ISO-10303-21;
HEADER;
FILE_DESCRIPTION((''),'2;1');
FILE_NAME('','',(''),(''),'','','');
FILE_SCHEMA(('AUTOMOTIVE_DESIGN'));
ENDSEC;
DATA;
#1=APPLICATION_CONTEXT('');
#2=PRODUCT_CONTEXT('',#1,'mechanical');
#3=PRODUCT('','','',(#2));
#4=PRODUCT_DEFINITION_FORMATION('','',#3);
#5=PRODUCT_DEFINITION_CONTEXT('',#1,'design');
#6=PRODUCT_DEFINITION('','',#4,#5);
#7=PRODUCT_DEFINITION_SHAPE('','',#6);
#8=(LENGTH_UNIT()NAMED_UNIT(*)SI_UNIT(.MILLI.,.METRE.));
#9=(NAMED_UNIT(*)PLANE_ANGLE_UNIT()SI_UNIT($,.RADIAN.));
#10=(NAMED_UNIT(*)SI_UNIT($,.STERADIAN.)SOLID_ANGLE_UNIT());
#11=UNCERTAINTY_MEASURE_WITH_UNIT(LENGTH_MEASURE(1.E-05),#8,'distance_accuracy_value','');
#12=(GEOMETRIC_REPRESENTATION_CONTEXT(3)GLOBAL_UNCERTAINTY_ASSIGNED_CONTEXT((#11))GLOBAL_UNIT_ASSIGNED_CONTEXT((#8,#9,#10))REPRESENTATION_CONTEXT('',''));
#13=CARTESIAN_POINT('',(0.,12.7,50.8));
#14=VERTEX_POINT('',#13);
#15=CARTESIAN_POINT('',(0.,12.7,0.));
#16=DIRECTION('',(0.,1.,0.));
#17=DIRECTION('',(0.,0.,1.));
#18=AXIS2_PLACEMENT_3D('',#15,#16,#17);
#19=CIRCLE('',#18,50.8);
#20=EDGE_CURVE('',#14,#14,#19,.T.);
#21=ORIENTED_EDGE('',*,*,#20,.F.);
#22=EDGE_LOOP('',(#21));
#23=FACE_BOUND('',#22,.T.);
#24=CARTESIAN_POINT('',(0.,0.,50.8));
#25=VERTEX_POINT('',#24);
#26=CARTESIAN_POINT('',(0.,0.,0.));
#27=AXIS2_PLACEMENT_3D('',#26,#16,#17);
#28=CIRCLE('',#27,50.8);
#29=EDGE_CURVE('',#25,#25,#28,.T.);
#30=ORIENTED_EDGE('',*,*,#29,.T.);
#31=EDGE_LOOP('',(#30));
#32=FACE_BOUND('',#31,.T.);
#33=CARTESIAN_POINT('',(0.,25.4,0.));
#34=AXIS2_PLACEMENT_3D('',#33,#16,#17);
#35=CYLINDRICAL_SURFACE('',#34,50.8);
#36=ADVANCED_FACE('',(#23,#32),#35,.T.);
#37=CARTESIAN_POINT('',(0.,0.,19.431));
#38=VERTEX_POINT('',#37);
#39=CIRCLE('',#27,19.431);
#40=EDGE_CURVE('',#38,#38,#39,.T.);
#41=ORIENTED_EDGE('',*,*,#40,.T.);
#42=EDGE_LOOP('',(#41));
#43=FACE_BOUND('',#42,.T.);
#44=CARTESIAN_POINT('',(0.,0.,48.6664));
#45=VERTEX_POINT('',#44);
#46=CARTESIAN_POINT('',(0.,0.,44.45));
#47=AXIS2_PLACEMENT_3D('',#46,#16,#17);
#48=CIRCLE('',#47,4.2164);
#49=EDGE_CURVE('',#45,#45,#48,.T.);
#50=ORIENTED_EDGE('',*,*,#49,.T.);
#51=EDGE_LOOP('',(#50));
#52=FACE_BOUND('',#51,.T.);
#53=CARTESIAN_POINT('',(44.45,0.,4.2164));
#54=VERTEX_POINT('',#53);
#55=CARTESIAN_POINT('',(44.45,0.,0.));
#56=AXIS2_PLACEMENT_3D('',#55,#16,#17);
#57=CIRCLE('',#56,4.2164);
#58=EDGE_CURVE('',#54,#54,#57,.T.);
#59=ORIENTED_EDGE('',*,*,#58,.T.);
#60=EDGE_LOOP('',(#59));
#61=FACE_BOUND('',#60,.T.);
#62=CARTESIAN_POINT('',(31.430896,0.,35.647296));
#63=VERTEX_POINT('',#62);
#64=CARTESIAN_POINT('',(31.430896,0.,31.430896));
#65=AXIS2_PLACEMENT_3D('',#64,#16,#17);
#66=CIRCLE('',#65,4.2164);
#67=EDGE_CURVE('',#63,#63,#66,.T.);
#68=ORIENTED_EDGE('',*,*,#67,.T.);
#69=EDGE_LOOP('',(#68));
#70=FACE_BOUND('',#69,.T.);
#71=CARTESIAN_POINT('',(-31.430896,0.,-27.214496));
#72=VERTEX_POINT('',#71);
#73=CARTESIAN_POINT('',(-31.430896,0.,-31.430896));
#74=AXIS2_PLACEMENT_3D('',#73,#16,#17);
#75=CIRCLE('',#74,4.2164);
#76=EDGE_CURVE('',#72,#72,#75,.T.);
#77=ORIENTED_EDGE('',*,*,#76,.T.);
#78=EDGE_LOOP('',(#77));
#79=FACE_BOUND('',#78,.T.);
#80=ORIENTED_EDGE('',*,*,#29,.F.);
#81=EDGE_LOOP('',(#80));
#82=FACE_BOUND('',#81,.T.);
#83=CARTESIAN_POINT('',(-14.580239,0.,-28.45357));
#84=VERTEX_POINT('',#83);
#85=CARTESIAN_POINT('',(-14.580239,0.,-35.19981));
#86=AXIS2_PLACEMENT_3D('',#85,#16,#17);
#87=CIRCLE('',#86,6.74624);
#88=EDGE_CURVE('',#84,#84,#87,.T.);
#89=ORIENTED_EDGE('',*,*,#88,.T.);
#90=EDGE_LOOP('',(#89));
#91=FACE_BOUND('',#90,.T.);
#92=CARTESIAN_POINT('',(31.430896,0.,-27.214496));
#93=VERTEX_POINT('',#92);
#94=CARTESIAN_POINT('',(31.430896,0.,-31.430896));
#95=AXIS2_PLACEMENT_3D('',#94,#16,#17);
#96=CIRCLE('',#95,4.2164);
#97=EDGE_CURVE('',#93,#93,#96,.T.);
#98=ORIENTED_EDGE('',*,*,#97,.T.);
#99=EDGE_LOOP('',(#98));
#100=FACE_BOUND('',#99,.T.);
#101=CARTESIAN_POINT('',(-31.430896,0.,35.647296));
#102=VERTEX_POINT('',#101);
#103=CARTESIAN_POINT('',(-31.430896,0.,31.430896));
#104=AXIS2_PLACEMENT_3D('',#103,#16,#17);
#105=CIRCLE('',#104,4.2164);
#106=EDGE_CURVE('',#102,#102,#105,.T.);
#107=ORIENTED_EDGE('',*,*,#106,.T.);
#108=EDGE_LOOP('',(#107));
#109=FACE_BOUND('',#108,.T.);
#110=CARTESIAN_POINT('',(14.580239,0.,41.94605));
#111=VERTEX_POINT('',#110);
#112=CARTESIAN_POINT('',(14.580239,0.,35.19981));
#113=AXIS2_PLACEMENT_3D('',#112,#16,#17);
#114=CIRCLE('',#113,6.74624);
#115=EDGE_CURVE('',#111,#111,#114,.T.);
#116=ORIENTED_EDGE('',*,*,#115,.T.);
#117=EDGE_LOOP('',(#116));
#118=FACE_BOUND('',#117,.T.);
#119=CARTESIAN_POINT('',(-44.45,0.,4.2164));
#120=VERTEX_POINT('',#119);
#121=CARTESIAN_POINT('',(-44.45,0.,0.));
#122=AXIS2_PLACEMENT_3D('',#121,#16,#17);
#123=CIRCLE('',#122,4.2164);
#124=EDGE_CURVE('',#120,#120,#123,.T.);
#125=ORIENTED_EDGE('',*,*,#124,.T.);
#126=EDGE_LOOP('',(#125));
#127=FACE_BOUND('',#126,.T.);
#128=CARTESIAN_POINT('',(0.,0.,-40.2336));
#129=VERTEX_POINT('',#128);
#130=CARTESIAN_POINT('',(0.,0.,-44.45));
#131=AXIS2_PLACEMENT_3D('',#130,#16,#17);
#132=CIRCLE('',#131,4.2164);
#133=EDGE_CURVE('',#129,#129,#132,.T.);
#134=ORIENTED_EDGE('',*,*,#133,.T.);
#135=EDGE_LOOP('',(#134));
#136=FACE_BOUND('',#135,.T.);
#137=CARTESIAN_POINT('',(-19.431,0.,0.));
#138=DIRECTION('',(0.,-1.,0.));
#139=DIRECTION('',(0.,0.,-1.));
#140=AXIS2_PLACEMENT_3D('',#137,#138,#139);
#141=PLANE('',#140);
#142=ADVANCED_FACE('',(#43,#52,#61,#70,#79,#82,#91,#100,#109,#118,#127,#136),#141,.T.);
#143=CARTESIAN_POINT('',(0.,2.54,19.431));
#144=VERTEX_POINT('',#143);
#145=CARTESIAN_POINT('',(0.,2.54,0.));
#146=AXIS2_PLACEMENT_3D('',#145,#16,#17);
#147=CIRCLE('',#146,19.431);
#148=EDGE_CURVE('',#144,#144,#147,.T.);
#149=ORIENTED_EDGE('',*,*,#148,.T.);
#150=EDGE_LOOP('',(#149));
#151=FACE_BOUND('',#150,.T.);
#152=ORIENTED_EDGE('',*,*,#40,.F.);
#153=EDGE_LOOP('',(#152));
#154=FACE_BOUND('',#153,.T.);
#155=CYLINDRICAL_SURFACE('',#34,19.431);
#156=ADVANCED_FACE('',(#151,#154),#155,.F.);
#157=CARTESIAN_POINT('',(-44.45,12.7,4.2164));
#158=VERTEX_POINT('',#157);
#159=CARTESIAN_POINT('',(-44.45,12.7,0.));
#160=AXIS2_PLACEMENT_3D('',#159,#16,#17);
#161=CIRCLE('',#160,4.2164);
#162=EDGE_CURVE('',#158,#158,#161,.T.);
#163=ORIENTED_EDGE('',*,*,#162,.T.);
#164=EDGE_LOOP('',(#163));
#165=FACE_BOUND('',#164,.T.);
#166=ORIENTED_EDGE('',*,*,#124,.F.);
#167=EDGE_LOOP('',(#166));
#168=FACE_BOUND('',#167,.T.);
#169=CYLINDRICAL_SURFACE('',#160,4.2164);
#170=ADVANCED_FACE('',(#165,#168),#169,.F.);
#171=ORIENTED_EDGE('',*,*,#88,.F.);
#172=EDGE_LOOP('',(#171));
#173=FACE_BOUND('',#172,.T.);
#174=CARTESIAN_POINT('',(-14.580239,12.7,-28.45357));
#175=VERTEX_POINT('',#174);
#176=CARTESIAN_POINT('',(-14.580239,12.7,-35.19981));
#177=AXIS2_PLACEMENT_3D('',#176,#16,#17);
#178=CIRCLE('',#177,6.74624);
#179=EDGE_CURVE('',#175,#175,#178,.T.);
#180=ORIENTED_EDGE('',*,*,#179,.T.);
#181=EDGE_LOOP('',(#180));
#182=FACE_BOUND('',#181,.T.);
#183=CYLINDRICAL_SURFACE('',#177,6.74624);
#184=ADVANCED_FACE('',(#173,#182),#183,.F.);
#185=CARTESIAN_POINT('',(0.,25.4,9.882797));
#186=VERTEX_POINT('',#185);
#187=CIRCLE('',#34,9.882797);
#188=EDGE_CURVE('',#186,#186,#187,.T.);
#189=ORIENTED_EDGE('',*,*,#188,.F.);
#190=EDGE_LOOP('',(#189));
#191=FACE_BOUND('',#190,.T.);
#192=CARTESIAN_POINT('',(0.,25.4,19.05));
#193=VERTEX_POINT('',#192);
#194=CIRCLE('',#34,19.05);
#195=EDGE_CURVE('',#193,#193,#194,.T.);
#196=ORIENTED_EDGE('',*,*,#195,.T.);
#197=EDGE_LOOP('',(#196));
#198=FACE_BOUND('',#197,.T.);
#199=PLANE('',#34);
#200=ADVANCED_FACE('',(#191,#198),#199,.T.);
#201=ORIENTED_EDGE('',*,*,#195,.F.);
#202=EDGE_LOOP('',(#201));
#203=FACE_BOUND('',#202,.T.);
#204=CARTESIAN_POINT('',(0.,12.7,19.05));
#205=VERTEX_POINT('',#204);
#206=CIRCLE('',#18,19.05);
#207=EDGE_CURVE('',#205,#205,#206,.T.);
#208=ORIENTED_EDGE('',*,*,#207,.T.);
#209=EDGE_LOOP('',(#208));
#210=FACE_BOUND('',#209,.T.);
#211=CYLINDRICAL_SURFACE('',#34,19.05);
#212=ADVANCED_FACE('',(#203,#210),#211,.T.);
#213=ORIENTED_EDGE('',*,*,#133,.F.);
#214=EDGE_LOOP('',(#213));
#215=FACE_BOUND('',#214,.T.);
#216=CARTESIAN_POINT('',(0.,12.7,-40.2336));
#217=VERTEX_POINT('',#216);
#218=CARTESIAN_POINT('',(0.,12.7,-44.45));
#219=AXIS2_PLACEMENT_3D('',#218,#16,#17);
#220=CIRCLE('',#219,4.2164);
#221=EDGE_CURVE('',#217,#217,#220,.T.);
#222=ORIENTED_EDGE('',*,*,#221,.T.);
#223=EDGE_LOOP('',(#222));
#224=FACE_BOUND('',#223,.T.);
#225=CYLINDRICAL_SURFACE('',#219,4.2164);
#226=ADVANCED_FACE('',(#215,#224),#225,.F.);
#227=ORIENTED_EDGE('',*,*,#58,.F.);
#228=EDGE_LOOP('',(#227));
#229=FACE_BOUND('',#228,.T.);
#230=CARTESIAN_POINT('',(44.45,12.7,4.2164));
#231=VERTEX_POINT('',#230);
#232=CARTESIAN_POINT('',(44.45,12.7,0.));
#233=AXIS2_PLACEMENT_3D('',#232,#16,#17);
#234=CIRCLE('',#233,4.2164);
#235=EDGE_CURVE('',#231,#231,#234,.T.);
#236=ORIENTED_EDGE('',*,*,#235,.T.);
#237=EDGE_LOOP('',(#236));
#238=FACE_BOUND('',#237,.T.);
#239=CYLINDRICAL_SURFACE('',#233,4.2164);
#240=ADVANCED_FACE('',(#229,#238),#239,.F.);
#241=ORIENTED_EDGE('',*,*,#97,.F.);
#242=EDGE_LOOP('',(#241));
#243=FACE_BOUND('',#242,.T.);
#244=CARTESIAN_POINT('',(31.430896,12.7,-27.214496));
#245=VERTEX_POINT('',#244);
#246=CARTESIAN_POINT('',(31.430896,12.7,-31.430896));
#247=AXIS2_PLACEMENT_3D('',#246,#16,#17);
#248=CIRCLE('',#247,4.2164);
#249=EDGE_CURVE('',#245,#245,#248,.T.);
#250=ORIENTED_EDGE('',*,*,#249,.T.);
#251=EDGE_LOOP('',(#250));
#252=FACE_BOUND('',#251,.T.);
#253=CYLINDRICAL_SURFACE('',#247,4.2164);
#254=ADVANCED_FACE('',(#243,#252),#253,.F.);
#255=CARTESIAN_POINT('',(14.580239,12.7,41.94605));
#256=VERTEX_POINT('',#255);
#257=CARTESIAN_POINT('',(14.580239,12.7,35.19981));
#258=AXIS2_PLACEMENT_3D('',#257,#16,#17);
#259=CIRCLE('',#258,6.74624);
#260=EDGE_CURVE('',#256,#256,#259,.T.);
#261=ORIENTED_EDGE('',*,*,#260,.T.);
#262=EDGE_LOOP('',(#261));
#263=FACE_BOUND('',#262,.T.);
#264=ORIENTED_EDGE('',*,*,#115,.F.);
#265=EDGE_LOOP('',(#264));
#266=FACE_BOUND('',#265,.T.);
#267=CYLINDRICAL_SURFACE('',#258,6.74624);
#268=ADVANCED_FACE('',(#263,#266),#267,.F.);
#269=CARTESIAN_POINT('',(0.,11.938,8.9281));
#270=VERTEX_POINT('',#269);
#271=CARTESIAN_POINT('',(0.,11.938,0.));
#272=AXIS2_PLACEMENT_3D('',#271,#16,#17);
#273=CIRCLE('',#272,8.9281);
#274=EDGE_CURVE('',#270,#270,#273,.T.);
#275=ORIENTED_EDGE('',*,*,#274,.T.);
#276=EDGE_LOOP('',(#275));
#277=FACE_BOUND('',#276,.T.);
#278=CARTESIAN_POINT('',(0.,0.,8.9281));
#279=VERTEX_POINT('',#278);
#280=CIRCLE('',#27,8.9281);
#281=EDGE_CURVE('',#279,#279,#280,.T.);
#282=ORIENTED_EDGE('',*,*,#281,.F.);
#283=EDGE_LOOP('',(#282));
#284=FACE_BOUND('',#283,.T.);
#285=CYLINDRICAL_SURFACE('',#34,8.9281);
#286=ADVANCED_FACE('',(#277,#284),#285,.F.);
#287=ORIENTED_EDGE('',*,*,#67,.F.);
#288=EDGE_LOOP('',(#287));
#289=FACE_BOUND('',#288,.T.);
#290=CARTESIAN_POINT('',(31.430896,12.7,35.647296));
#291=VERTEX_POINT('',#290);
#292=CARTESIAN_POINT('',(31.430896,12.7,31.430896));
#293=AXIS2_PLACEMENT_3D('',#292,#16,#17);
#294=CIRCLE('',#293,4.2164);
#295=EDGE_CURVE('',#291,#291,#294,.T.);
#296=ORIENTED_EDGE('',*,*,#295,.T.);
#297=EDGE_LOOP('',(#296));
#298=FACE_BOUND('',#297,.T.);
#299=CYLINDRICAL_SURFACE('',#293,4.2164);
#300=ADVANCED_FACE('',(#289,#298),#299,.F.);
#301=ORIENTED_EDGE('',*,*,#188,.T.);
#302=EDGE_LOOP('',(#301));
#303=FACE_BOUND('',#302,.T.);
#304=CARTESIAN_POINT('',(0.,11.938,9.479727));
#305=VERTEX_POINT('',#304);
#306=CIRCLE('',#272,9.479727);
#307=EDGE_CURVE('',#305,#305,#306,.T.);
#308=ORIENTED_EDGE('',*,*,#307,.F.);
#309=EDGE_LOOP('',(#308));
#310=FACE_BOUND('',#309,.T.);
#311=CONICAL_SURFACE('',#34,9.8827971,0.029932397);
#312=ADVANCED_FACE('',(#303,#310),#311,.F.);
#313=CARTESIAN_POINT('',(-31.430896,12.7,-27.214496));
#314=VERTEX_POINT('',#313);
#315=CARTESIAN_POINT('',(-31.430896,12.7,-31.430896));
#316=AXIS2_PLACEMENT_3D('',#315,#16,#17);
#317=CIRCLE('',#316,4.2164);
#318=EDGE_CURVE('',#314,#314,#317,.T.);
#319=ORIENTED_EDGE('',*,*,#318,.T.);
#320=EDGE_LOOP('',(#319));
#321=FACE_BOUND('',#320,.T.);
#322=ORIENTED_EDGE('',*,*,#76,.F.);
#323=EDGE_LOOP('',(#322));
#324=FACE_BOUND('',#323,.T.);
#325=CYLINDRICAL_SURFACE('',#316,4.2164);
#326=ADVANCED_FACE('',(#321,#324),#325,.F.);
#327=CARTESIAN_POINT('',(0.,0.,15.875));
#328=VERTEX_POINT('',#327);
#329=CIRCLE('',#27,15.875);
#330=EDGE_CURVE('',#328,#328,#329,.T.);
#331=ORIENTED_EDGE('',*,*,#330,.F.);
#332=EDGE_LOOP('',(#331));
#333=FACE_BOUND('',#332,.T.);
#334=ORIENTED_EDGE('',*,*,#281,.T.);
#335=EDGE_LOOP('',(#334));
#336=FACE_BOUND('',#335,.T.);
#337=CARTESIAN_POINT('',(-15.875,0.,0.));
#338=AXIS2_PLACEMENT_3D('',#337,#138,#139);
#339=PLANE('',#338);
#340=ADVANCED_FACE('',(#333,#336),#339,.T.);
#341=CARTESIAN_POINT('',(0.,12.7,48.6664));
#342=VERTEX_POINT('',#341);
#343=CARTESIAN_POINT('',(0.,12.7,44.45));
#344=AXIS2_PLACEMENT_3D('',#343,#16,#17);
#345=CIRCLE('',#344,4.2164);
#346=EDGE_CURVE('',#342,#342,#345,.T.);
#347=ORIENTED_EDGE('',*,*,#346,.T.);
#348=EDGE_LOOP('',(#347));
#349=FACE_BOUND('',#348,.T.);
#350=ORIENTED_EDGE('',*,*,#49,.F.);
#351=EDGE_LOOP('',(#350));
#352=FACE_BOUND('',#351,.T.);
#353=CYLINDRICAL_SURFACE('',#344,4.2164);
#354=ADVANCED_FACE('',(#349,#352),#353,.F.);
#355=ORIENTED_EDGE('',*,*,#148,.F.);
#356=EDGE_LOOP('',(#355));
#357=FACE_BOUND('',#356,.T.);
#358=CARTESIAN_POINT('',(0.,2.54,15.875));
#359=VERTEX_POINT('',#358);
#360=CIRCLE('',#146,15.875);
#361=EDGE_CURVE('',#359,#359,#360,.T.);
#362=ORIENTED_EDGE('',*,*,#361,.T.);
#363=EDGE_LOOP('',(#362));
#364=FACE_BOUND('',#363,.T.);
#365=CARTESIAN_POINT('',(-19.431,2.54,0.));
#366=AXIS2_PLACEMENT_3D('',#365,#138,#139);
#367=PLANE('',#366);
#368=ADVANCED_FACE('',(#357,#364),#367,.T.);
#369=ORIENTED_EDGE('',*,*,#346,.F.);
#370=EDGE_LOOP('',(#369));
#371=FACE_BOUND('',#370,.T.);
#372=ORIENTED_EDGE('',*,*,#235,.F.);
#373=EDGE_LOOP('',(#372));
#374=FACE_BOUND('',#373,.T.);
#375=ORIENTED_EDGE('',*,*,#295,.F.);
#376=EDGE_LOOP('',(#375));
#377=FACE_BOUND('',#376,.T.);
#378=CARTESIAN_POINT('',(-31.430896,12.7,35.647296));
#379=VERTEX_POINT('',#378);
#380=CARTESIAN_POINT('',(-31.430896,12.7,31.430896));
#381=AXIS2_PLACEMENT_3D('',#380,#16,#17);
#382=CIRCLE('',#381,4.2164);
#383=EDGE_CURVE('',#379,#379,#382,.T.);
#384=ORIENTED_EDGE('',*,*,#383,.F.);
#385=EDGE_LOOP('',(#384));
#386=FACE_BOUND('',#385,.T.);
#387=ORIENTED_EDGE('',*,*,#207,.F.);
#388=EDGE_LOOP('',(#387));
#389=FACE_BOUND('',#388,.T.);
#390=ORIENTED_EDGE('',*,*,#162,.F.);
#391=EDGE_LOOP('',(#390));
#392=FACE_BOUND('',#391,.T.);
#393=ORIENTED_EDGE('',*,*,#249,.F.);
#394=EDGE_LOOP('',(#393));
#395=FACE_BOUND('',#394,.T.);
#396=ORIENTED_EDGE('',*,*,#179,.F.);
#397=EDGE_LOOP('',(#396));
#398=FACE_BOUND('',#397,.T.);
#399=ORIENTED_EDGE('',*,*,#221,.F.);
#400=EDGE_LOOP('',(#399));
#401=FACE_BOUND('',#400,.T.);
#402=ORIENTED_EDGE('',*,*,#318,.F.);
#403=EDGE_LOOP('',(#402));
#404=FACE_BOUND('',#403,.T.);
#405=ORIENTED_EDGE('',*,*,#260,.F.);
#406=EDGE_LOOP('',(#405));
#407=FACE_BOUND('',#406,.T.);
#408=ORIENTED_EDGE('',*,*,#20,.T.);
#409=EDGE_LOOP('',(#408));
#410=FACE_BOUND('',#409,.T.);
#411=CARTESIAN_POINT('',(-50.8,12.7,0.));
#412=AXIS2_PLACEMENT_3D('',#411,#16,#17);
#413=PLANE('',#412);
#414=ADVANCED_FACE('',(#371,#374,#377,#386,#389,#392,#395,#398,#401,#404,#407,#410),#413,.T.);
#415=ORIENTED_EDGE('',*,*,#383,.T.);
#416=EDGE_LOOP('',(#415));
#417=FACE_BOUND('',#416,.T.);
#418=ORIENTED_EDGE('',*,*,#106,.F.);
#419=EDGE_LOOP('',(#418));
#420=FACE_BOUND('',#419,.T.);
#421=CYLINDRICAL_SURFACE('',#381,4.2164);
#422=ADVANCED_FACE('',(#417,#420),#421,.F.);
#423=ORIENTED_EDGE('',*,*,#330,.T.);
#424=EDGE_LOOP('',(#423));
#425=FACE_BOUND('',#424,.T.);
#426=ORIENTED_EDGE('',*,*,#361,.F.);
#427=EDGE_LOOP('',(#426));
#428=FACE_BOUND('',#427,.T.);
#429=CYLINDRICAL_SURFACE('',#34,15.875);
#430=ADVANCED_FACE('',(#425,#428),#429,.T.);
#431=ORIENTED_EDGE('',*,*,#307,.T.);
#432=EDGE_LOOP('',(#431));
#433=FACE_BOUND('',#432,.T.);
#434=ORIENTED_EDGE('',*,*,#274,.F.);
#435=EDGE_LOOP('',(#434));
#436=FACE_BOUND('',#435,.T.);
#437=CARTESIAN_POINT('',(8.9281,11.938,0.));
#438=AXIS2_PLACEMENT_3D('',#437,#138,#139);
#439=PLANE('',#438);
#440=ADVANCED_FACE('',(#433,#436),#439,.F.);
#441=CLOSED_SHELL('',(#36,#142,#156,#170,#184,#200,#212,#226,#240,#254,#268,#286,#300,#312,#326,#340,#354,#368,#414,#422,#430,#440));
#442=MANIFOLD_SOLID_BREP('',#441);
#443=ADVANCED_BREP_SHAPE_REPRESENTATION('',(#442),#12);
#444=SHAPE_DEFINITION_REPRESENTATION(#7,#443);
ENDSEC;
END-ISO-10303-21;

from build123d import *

# Parameters (mm, degrees)
F_5_16_CLEARANCE_HOLE1_D = 8.4328
CIRPATTERN1_COUNT        = 8
F_1_2_CLEARANCE_HOLE1_D  = 13.49248
CIRPATTERN2_COUNT        = 2


with BuildPart() as part:
    # Sketch1 → Revolve1 (revolve)
    with BuildSketch(Plane.XY):
        Polygon((-19.431, 0), (-50.8, 0), (-50.8, 12.7), (-19.05, 12.7), (-19.05, 25.4), (0, 25.4), (0, 0), (-15.875, 0), (-15.875, 2.54), (-19.431, 2.54), align=None)
    revolve(axis=Axis((0, 25.4, 0), (0, -1, 0)))

    # Sketch4 → 1/2 NPT Tapped Hole1 (revolve, cut)
    with BuildSketch(Plane(origin=(0, 25.4, 0), x_dir=(0, 0, 1), z_dir=(1, 0, 0))):
        Polygon((0, 0), (0, 25.4), (8.9281, 25.4), (8.9281, 13.462), (9.479726792, 13.462), (9.8827971, 0), align=None)
    revolve(axis=Axis((0, 31.75, 0), (0, -1, 0)), mode=Mode.SUBTRACT)

    # 5/16 Clearance Hole1 (through all)
    with Locations(Plane(origin=(0, 12.7, 0), x_dir=(1, 0, 0), z_dir=(0, 1, 0))):
        with Locations((44.45, 0)):
            f_5_16_clearance_hole1 = Hole(F_5_16_CLEARANCE_HOLE1_D / 2)

    # CirPattern1: 5/16 Clearance Hole1 ×8 about axis
    cirpattern1_axis = Axis((0, 0, 0), (0, 1, 0))
    for i in range(1, CIRPATTERN1_COUNT):
        add(f_5_16_clearance_hole1.rotate(cirpattern1_axis, i * 360 / CIRPATTERN1_COUNT), mode=Mode.SUBTRACT)

    # 1/2 Clearance Hole1 (through all)
    with Locations(Plane(origin=(0, 12.7, 0), x_dir=(1, 0, 0), z_dir=(0, 1, 0))):
        with Locations((-14.580238773, 35.199810189)):
            f_1_2_clearance_hole1 = Hole(F_1_2_CLEARANCE_HOLE1_D / 2)

    # CirPattern2: 1/2 Clearance Hole1 ×2 about axis
    cirpattern2_axis = Axis((0, 0, 0), (0, 1, 0))
    for i in range(1, CIRPATTERN2_COUNT):
        add(f_1_2_clearance_hole1.rotate(cirpattern2_axis, i * 360 / CIRPATTERN2_COUNT), mode=Mode.SUBTRACT)


solid = part.part
